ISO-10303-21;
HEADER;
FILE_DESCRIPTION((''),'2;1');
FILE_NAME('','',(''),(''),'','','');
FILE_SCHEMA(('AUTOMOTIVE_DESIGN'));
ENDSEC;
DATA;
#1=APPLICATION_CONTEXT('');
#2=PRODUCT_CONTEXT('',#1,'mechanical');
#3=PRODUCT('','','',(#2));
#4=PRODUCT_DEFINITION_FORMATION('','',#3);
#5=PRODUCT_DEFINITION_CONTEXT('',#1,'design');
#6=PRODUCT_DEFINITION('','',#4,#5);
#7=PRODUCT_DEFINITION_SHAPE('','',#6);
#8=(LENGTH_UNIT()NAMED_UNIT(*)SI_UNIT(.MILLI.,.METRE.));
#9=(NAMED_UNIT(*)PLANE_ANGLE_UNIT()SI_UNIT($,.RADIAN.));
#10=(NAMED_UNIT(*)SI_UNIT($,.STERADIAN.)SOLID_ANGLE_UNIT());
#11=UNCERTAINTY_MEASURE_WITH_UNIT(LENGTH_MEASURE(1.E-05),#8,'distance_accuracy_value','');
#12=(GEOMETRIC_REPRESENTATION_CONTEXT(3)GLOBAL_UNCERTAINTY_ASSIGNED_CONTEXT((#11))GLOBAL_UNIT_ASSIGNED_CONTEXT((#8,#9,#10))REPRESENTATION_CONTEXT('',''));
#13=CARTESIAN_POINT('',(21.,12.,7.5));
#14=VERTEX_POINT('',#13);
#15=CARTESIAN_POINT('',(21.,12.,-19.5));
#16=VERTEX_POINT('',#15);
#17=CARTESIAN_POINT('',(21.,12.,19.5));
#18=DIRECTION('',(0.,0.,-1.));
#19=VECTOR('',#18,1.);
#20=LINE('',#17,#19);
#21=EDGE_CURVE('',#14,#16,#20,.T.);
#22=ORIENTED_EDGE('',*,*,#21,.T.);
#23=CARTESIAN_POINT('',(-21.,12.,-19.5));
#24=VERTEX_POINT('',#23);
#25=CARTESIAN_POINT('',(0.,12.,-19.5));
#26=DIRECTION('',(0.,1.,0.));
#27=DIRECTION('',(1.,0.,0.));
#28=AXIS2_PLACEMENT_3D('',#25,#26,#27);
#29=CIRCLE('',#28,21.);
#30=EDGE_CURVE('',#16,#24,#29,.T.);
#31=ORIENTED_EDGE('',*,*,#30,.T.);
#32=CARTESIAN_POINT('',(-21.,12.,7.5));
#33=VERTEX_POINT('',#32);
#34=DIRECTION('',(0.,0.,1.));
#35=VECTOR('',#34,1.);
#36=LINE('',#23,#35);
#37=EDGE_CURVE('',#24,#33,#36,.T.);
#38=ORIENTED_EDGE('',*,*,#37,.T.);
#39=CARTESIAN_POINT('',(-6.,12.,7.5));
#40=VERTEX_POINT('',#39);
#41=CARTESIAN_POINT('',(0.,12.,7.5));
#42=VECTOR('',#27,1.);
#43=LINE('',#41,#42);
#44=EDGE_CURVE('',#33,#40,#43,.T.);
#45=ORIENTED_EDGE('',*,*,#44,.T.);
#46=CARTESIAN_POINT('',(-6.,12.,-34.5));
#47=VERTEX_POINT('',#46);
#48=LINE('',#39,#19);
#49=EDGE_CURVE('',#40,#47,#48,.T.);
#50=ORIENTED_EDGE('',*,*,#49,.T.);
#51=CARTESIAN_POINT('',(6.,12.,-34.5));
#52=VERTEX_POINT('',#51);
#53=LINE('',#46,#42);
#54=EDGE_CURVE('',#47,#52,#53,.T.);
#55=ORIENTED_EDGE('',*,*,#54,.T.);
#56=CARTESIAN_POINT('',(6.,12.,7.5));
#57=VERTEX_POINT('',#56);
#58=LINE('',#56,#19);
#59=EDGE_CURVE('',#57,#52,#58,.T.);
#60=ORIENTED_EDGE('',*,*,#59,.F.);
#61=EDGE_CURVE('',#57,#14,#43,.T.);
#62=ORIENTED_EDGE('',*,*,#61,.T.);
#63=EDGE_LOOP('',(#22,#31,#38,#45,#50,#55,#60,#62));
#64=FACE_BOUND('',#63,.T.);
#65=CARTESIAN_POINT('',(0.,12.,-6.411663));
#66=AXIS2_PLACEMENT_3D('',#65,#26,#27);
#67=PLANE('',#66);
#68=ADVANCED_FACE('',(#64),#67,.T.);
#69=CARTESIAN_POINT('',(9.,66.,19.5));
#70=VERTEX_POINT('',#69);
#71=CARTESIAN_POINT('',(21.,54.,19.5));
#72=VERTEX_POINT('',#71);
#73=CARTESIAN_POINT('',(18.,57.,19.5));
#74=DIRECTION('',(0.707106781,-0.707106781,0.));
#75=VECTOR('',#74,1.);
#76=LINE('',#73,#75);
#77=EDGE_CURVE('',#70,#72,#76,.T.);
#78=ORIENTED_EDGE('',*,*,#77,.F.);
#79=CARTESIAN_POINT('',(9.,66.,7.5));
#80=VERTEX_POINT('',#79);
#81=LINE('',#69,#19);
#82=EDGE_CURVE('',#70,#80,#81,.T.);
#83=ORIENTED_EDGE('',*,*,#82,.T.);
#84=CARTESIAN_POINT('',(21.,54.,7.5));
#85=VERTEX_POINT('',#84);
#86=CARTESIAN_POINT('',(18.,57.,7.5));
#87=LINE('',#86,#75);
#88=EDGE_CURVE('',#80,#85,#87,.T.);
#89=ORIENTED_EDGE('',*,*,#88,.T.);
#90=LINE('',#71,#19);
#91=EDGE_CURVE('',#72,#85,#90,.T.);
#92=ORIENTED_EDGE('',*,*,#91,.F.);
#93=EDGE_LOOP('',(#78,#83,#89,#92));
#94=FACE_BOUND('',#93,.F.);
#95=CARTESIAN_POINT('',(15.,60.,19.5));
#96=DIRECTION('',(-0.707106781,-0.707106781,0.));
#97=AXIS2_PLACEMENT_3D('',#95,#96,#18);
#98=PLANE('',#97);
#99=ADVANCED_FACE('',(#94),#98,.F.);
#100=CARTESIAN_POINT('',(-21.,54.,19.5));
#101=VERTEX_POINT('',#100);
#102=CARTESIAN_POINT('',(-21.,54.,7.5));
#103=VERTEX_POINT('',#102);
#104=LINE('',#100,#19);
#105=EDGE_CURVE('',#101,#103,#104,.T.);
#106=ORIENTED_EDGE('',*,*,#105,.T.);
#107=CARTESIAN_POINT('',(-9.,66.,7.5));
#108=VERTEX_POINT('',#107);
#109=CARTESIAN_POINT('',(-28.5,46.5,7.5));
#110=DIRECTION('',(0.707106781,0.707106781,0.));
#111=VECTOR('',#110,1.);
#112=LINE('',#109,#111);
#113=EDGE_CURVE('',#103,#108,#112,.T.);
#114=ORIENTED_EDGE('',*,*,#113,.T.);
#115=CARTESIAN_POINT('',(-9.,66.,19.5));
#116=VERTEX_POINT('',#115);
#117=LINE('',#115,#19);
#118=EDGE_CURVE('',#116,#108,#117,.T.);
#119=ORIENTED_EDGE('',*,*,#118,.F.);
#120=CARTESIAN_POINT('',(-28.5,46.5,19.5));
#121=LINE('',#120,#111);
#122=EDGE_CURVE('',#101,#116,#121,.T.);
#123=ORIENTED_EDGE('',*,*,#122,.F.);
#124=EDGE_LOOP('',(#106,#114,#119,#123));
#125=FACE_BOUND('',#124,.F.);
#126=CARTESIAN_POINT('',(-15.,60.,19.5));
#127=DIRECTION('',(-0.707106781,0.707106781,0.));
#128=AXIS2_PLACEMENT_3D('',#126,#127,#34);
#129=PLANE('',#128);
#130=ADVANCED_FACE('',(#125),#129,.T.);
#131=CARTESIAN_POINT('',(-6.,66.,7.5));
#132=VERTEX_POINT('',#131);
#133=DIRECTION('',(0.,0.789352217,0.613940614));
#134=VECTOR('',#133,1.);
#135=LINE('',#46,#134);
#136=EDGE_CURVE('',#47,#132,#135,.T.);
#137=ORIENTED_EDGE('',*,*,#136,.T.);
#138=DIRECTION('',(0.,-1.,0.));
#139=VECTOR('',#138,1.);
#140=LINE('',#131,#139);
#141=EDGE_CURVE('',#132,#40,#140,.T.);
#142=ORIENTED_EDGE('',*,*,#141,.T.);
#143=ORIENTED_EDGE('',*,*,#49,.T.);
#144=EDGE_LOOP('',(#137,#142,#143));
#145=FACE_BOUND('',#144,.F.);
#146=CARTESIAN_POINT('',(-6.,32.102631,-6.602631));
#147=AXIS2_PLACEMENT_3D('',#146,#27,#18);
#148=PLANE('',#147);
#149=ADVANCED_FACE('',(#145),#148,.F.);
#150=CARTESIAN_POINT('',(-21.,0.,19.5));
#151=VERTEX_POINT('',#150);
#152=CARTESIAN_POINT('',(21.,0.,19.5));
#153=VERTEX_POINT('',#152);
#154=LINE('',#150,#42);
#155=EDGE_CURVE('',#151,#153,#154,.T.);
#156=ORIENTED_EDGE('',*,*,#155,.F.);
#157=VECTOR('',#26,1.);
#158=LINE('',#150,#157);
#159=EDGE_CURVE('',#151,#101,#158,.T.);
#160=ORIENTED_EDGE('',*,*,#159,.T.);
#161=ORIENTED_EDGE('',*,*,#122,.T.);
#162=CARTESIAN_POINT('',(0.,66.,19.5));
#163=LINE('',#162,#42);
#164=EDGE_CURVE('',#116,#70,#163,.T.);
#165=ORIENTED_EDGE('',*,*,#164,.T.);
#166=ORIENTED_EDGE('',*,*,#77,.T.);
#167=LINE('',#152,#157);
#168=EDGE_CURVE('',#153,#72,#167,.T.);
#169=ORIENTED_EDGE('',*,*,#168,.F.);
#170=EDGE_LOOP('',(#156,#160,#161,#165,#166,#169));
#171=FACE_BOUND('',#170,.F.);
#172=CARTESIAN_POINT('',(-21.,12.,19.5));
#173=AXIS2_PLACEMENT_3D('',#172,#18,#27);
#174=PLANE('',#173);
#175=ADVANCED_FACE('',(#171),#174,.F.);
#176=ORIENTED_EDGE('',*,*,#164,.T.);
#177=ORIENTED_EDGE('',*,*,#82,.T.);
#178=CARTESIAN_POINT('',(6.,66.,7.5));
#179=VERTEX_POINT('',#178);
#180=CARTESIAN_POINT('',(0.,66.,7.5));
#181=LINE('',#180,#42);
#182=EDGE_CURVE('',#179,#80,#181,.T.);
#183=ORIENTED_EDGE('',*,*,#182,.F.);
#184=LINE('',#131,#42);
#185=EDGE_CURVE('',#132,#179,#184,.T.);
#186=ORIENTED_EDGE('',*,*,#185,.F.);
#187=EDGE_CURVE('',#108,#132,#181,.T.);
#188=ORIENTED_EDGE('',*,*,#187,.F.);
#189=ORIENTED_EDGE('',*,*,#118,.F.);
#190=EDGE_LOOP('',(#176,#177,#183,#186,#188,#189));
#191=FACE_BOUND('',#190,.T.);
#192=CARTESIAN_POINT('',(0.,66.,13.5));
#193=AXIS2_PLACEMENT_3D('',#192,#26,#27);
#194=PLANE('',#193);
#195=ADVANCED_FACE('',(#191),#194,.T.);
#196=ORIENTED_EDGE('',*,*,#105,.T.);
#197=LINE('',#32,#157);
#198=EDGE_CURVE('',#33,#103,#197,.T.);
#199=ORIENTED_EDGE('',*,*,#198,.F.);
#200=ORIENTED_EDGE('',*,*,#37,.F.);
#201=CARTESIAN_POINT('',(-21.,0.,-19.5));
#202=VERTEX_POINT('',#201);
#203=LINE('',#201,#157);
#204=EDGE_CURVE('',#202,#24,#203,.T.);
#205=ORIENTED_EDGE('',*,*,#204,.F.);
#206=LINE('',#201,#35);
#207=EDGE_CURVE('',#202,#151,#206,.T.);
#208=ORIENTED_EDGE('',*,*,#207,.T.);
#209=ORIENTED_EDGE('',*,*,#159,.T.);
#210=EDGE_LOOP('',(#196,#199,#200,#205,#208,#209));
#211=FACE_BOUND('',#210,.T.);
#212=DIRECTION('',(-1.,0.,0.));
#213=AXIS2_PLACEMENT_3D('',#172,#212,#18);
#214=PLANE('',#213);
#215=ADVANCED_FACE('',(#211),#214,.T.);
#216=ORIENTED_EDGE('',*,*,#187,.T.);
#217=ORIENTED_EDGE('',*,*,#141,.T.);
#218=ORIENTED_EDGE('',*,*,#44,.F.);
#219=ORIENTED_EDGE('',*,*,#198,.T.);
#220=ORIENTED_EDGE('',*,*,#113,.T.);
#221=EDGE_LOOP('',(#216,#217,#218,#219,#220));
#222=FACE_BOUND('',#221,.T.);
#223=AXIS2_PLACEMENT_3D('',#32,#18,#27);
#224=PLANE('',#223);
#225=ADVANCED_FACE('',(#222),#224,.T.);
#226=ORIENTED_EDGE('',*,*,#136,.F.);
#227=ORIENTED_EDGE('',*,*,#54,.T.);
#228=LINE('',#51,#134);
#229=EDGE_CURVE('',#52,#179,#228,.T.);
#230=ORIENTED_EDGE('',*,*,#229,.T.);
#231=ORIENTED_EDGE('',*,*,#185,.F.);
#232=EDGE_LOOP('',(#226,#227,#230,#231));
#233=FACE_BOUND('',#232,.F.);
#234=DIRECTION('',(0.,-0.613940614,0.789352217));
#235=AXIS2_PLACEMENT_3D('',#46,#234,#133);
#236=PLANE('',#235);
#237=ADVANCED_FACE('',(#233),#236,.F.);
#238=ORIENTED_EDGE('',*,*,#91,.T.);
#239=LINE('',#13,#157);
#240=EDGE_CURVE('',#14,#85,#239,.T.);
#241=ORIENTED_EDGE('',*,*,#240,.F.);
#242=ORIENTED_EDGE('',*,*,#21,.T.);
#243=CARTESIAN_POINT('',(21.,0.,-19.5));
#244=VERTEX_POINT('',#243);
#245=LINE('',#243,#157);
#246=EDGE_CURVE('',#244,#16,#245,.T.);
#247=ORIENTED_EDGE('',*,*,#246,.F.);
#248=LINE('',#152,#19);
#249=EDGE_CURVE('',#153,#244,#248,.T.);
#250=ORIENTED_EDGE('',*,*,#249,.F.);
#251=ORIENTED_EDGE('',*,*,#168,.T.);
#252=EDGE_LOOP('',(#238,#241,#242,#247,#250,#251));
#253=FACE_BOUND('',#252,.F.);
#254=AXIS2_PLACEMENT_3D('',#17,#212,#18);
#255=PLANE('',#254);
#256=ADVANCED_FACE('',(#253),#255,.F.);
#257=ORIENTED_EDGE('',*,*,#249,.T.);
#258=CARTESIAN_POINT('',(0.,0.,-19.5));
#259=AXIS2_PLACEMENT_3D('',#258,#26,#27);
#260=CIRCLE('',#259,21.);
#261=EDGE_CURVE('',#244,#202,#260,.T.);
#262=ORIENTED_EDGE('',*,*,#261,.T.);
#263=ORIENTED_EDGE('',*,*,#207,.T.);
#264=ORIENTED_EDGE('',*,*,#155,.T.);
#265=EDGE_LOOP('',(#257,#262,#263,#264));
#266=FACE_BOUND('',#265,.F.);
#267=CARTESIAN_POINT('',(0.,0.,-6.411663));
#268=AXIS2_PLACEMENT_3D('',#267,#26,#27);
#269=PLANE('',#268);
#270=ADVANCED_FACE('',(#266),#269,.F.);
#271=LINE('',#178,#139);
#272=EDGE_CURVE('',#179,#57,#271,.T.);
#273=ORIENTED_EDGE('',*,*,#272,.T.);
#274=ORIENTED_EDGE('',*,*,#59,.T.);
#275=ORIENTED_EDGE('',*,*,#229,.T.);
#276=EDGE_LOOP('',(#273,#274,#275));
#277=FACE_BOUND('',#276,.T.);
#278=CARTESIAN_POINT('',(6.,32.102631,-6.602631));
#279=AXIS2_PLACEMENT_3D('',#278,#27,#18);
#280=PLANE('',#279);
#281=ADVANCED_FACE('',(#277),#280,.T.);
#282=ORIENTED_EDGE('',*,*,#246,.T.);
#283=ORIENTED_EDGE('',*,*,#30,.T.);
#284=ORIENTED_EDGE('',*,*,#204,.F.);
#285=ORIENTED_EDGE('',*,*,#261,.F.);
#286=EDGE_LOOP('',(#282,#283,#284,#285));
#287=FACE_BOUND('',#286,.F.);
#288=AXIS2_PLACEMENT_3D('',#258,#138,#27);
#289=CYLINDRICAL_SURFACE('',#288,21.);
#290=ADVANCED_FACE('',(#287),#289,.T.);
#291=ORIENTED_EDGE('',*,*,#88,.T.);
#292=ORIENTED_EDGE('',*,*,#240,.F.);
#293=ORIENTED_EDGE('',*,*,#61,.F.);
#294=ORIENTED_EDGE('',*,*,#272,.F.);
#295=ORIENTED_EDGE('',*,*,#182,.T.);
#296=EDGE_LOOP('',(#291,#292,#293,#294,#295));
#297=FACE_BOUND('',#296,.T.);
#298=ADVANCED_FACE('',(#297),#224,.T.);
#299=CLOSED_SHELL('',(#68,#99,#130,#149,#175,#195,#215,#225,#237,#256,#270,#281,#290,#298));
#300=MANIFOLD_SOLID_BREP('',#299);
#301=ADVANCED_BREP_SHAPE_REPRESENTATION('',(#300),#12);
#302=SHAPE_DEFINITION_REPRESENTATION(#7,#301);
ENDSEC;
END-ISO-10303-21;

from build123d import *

# Parameters (mm, degrees)
BOSS_EXTRUDE3_DEPTH = 12
SKETCH4_W           = 42
SKETCH4_H           = 12
BOSS_EXTRUDE4_DEPTH = 54
CHAMFER1_SIZE       = 12
CHAMFER2_SIZE       = 12
BOSS_EXTRUDE6_DEPTH = 12


with BuildPart() as part:
    # Sketch1 → Boss-Extrude3 (new body)
    with BuildSketch(Plane(origin=(0, 0, 0), x_dir=(1, 0, 0), z_dir=(0, 1, 0))):
        with BuildLine():
            Line((-21, 19.5), (-21, -19.5))
            Line((-21, -19.5), (21, -19.5))
            Line((21, -19.5), (21, 19.5))
            ThreePointArc((21, 19.5), (0, 40.5), (-21, 19.5))
        make_face()
    extrude(amount=BOSS_EXTRUDE3_DEPTH)

    # Sketch4 → Boss-Extrude4 (add)
    with BuildSketch(Plane(origin=(0, 12, 0), x_dir=(1, 0, 0), z_dir=(0, 1, 0))):
        with Locations((0, -13.5)):
            Rectangle(SKETCH4_W, SKETCH4_H)
    extrude(amount=BOSS_EXTRUDE4_DEPTH)

    # Chamfer1
    chamfer1_edges = [part.edges().sort_by_distance(p)[0] for p in [
        (-21, 66, 13.5),
    ]]
    chamfer(chamfer1_edges, length=CHAMFER1_SIZE)

    # Chamfer2
    chamfer2_edges = [part.edges().sort_by_distance(p)[0] for p in [
        (21, 66, 13.5),
    ]]
    chamfer(chamfer2_edges, length=CHAMFER2_SIZE)

    # Sketch7 → Boss-Extrude6 (add)
    with BuildSketch(Plane.ZY.offset(6)):
        Polygon((7.5, 12), (-34.5, 12), (7.5, 66), align=None)
    extrude(amount=-BOSS_EXTRUDE6_DEPTH)


solid = part.part
